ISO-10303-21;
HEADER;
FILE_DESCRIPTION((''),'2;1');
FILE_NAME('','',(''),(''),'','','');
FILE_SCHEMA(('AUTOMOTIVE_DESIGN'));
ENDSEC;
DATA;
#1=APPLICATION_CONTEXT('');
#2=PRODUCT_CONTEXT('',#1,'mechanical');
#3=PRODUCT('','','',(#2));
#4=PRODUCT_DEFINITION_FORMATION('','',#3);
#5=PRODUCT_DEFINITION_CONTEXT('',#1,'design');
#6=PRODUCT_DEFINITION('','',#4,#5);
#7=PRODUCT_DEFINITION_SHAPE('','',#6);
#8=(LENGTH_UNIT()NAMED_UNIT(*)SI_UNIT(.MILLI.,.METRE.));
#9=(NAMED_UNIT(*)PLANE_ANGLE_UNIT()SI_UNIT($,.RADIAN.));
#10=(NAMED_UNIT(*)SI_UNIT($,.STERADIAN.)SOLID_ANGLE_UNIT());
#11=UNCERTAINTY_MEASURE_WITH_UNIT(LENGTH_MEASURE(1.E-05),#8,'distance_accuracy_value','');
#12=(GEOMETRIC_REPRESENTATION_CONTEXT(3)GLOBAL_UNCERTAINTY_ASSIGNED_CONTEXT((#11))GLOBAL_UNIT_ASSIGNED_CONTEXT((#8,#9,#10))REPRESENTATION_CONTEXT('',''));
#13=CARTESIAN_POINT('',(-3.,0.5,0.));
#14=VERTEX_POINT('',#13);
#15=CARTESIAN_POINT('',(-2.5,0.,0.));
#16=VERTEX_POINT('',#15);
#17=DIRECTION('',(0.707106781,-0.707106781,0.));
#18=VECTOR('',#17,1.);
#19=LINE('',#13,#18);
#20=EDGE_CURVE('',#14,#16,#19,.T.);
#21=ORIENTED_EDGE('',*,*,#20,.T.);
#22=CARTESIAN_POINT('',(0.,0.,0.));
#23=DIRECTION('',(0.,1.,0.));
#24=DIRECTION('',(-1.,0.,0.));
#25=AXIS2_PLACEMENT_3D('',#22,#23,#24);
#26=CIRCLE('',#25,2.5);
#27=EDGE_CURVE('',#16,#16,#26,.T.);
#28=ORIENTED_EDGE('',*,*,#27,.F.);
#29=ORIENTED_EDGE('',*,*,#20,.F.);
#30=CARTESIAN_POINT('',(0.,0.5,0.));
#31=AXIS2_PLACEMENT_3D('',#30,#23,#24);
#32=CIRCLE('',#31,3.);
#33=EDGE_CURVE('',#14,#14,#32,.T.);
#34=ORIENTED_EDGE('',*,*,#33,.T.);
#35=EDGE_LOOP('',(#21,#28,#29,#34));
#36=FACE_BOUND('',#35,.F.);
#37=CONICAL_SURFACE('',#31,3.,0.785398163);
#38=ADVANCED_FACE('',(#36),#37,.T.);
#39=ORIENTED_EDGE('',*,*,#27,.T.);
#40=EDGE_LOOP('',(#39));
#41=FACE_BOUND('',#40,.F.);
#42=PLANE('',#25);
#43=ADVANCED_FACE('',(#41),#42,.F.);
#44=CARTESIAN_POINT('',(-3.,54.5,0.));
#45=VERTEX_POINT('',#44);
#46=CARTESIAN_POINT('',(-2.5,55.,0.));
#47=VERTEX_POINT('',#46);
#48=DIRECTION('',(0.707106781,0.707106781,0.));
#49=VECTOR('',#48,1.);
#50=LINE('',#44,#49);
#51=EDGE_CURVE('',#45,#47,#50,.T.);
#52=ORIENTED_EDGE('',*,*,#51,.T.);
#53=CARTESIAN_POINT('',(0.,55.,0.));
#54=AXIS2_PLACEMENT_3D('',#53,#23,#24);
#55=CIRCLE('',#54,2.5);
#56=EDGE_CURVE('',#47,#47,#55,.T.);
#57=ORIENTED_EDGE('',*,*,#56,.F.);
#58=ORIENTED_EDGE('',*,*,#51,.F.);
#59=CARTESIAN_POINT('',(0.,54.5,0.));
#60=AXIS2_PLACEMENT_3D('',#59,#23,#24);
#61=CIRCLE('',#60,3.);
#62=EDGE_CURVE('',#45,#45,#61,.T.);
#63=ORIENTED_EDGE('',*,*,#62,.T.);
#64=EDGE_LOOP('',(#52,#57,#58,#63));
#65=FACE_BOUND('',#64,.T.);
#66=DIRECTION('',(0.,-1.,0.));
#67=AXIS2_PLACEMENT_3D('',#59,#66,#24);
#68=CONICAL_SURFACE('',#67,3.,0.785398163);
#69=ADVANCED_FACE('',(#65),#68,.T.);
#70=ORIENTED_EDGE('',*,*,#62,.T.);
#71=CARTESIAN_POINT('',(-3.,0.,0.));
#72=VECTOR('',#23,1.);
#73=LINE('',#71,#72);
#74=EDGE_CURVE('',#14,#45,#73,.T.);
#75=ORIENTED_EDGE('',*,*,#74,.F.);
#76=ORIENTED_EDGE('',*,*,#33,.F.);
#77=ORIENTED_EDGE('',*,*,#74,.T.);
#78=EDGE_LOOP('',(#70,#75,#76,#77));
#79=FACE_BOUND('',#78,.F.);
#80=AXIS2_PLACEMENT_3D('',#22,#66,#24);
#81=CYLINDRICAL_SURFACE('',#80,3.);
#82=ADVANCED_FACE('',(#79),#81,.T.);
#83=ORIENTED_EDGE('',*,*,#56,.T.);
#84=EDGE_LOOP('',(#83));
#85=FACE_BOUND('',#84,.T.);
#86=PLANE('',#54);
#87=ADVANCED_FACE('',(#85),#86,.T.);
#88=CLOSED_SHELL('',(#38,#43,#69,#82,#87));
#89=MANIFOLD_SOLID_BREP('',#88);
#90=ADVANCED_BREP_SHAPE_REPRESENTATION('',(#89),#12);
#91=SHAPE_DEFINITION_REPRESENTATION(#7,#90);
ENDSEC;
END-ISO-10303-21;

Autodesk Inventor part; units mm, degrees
ref_plane "YZ Plane" through (0, 0, 0) normal (1, 0, 0) x (0, 1, 0)
ref_plane "XZ Plane" through (0, 0, 0) normal (0, 1, 0) x (-1, 0, 0)
ref_plane "XY Plane" through (0, 0, 0) normal (0, 0, 1) x (1, 0, 0)
sketch "Sketch1" plane through (0, 0, 0) normal (0, 1, 0) x (-1, 0, 0)
  circle A0 centre (0, 0) radius 3
  dimension "d0" = 6
extrude "Extrusion1" add sketch "Sketch1" along normal blind 55
chamfer "Chamfer1" distance 0.5 angle 45 2 edges at (3, 55, 0) (3, 0, 0)
properties part number "pin_6_60"
